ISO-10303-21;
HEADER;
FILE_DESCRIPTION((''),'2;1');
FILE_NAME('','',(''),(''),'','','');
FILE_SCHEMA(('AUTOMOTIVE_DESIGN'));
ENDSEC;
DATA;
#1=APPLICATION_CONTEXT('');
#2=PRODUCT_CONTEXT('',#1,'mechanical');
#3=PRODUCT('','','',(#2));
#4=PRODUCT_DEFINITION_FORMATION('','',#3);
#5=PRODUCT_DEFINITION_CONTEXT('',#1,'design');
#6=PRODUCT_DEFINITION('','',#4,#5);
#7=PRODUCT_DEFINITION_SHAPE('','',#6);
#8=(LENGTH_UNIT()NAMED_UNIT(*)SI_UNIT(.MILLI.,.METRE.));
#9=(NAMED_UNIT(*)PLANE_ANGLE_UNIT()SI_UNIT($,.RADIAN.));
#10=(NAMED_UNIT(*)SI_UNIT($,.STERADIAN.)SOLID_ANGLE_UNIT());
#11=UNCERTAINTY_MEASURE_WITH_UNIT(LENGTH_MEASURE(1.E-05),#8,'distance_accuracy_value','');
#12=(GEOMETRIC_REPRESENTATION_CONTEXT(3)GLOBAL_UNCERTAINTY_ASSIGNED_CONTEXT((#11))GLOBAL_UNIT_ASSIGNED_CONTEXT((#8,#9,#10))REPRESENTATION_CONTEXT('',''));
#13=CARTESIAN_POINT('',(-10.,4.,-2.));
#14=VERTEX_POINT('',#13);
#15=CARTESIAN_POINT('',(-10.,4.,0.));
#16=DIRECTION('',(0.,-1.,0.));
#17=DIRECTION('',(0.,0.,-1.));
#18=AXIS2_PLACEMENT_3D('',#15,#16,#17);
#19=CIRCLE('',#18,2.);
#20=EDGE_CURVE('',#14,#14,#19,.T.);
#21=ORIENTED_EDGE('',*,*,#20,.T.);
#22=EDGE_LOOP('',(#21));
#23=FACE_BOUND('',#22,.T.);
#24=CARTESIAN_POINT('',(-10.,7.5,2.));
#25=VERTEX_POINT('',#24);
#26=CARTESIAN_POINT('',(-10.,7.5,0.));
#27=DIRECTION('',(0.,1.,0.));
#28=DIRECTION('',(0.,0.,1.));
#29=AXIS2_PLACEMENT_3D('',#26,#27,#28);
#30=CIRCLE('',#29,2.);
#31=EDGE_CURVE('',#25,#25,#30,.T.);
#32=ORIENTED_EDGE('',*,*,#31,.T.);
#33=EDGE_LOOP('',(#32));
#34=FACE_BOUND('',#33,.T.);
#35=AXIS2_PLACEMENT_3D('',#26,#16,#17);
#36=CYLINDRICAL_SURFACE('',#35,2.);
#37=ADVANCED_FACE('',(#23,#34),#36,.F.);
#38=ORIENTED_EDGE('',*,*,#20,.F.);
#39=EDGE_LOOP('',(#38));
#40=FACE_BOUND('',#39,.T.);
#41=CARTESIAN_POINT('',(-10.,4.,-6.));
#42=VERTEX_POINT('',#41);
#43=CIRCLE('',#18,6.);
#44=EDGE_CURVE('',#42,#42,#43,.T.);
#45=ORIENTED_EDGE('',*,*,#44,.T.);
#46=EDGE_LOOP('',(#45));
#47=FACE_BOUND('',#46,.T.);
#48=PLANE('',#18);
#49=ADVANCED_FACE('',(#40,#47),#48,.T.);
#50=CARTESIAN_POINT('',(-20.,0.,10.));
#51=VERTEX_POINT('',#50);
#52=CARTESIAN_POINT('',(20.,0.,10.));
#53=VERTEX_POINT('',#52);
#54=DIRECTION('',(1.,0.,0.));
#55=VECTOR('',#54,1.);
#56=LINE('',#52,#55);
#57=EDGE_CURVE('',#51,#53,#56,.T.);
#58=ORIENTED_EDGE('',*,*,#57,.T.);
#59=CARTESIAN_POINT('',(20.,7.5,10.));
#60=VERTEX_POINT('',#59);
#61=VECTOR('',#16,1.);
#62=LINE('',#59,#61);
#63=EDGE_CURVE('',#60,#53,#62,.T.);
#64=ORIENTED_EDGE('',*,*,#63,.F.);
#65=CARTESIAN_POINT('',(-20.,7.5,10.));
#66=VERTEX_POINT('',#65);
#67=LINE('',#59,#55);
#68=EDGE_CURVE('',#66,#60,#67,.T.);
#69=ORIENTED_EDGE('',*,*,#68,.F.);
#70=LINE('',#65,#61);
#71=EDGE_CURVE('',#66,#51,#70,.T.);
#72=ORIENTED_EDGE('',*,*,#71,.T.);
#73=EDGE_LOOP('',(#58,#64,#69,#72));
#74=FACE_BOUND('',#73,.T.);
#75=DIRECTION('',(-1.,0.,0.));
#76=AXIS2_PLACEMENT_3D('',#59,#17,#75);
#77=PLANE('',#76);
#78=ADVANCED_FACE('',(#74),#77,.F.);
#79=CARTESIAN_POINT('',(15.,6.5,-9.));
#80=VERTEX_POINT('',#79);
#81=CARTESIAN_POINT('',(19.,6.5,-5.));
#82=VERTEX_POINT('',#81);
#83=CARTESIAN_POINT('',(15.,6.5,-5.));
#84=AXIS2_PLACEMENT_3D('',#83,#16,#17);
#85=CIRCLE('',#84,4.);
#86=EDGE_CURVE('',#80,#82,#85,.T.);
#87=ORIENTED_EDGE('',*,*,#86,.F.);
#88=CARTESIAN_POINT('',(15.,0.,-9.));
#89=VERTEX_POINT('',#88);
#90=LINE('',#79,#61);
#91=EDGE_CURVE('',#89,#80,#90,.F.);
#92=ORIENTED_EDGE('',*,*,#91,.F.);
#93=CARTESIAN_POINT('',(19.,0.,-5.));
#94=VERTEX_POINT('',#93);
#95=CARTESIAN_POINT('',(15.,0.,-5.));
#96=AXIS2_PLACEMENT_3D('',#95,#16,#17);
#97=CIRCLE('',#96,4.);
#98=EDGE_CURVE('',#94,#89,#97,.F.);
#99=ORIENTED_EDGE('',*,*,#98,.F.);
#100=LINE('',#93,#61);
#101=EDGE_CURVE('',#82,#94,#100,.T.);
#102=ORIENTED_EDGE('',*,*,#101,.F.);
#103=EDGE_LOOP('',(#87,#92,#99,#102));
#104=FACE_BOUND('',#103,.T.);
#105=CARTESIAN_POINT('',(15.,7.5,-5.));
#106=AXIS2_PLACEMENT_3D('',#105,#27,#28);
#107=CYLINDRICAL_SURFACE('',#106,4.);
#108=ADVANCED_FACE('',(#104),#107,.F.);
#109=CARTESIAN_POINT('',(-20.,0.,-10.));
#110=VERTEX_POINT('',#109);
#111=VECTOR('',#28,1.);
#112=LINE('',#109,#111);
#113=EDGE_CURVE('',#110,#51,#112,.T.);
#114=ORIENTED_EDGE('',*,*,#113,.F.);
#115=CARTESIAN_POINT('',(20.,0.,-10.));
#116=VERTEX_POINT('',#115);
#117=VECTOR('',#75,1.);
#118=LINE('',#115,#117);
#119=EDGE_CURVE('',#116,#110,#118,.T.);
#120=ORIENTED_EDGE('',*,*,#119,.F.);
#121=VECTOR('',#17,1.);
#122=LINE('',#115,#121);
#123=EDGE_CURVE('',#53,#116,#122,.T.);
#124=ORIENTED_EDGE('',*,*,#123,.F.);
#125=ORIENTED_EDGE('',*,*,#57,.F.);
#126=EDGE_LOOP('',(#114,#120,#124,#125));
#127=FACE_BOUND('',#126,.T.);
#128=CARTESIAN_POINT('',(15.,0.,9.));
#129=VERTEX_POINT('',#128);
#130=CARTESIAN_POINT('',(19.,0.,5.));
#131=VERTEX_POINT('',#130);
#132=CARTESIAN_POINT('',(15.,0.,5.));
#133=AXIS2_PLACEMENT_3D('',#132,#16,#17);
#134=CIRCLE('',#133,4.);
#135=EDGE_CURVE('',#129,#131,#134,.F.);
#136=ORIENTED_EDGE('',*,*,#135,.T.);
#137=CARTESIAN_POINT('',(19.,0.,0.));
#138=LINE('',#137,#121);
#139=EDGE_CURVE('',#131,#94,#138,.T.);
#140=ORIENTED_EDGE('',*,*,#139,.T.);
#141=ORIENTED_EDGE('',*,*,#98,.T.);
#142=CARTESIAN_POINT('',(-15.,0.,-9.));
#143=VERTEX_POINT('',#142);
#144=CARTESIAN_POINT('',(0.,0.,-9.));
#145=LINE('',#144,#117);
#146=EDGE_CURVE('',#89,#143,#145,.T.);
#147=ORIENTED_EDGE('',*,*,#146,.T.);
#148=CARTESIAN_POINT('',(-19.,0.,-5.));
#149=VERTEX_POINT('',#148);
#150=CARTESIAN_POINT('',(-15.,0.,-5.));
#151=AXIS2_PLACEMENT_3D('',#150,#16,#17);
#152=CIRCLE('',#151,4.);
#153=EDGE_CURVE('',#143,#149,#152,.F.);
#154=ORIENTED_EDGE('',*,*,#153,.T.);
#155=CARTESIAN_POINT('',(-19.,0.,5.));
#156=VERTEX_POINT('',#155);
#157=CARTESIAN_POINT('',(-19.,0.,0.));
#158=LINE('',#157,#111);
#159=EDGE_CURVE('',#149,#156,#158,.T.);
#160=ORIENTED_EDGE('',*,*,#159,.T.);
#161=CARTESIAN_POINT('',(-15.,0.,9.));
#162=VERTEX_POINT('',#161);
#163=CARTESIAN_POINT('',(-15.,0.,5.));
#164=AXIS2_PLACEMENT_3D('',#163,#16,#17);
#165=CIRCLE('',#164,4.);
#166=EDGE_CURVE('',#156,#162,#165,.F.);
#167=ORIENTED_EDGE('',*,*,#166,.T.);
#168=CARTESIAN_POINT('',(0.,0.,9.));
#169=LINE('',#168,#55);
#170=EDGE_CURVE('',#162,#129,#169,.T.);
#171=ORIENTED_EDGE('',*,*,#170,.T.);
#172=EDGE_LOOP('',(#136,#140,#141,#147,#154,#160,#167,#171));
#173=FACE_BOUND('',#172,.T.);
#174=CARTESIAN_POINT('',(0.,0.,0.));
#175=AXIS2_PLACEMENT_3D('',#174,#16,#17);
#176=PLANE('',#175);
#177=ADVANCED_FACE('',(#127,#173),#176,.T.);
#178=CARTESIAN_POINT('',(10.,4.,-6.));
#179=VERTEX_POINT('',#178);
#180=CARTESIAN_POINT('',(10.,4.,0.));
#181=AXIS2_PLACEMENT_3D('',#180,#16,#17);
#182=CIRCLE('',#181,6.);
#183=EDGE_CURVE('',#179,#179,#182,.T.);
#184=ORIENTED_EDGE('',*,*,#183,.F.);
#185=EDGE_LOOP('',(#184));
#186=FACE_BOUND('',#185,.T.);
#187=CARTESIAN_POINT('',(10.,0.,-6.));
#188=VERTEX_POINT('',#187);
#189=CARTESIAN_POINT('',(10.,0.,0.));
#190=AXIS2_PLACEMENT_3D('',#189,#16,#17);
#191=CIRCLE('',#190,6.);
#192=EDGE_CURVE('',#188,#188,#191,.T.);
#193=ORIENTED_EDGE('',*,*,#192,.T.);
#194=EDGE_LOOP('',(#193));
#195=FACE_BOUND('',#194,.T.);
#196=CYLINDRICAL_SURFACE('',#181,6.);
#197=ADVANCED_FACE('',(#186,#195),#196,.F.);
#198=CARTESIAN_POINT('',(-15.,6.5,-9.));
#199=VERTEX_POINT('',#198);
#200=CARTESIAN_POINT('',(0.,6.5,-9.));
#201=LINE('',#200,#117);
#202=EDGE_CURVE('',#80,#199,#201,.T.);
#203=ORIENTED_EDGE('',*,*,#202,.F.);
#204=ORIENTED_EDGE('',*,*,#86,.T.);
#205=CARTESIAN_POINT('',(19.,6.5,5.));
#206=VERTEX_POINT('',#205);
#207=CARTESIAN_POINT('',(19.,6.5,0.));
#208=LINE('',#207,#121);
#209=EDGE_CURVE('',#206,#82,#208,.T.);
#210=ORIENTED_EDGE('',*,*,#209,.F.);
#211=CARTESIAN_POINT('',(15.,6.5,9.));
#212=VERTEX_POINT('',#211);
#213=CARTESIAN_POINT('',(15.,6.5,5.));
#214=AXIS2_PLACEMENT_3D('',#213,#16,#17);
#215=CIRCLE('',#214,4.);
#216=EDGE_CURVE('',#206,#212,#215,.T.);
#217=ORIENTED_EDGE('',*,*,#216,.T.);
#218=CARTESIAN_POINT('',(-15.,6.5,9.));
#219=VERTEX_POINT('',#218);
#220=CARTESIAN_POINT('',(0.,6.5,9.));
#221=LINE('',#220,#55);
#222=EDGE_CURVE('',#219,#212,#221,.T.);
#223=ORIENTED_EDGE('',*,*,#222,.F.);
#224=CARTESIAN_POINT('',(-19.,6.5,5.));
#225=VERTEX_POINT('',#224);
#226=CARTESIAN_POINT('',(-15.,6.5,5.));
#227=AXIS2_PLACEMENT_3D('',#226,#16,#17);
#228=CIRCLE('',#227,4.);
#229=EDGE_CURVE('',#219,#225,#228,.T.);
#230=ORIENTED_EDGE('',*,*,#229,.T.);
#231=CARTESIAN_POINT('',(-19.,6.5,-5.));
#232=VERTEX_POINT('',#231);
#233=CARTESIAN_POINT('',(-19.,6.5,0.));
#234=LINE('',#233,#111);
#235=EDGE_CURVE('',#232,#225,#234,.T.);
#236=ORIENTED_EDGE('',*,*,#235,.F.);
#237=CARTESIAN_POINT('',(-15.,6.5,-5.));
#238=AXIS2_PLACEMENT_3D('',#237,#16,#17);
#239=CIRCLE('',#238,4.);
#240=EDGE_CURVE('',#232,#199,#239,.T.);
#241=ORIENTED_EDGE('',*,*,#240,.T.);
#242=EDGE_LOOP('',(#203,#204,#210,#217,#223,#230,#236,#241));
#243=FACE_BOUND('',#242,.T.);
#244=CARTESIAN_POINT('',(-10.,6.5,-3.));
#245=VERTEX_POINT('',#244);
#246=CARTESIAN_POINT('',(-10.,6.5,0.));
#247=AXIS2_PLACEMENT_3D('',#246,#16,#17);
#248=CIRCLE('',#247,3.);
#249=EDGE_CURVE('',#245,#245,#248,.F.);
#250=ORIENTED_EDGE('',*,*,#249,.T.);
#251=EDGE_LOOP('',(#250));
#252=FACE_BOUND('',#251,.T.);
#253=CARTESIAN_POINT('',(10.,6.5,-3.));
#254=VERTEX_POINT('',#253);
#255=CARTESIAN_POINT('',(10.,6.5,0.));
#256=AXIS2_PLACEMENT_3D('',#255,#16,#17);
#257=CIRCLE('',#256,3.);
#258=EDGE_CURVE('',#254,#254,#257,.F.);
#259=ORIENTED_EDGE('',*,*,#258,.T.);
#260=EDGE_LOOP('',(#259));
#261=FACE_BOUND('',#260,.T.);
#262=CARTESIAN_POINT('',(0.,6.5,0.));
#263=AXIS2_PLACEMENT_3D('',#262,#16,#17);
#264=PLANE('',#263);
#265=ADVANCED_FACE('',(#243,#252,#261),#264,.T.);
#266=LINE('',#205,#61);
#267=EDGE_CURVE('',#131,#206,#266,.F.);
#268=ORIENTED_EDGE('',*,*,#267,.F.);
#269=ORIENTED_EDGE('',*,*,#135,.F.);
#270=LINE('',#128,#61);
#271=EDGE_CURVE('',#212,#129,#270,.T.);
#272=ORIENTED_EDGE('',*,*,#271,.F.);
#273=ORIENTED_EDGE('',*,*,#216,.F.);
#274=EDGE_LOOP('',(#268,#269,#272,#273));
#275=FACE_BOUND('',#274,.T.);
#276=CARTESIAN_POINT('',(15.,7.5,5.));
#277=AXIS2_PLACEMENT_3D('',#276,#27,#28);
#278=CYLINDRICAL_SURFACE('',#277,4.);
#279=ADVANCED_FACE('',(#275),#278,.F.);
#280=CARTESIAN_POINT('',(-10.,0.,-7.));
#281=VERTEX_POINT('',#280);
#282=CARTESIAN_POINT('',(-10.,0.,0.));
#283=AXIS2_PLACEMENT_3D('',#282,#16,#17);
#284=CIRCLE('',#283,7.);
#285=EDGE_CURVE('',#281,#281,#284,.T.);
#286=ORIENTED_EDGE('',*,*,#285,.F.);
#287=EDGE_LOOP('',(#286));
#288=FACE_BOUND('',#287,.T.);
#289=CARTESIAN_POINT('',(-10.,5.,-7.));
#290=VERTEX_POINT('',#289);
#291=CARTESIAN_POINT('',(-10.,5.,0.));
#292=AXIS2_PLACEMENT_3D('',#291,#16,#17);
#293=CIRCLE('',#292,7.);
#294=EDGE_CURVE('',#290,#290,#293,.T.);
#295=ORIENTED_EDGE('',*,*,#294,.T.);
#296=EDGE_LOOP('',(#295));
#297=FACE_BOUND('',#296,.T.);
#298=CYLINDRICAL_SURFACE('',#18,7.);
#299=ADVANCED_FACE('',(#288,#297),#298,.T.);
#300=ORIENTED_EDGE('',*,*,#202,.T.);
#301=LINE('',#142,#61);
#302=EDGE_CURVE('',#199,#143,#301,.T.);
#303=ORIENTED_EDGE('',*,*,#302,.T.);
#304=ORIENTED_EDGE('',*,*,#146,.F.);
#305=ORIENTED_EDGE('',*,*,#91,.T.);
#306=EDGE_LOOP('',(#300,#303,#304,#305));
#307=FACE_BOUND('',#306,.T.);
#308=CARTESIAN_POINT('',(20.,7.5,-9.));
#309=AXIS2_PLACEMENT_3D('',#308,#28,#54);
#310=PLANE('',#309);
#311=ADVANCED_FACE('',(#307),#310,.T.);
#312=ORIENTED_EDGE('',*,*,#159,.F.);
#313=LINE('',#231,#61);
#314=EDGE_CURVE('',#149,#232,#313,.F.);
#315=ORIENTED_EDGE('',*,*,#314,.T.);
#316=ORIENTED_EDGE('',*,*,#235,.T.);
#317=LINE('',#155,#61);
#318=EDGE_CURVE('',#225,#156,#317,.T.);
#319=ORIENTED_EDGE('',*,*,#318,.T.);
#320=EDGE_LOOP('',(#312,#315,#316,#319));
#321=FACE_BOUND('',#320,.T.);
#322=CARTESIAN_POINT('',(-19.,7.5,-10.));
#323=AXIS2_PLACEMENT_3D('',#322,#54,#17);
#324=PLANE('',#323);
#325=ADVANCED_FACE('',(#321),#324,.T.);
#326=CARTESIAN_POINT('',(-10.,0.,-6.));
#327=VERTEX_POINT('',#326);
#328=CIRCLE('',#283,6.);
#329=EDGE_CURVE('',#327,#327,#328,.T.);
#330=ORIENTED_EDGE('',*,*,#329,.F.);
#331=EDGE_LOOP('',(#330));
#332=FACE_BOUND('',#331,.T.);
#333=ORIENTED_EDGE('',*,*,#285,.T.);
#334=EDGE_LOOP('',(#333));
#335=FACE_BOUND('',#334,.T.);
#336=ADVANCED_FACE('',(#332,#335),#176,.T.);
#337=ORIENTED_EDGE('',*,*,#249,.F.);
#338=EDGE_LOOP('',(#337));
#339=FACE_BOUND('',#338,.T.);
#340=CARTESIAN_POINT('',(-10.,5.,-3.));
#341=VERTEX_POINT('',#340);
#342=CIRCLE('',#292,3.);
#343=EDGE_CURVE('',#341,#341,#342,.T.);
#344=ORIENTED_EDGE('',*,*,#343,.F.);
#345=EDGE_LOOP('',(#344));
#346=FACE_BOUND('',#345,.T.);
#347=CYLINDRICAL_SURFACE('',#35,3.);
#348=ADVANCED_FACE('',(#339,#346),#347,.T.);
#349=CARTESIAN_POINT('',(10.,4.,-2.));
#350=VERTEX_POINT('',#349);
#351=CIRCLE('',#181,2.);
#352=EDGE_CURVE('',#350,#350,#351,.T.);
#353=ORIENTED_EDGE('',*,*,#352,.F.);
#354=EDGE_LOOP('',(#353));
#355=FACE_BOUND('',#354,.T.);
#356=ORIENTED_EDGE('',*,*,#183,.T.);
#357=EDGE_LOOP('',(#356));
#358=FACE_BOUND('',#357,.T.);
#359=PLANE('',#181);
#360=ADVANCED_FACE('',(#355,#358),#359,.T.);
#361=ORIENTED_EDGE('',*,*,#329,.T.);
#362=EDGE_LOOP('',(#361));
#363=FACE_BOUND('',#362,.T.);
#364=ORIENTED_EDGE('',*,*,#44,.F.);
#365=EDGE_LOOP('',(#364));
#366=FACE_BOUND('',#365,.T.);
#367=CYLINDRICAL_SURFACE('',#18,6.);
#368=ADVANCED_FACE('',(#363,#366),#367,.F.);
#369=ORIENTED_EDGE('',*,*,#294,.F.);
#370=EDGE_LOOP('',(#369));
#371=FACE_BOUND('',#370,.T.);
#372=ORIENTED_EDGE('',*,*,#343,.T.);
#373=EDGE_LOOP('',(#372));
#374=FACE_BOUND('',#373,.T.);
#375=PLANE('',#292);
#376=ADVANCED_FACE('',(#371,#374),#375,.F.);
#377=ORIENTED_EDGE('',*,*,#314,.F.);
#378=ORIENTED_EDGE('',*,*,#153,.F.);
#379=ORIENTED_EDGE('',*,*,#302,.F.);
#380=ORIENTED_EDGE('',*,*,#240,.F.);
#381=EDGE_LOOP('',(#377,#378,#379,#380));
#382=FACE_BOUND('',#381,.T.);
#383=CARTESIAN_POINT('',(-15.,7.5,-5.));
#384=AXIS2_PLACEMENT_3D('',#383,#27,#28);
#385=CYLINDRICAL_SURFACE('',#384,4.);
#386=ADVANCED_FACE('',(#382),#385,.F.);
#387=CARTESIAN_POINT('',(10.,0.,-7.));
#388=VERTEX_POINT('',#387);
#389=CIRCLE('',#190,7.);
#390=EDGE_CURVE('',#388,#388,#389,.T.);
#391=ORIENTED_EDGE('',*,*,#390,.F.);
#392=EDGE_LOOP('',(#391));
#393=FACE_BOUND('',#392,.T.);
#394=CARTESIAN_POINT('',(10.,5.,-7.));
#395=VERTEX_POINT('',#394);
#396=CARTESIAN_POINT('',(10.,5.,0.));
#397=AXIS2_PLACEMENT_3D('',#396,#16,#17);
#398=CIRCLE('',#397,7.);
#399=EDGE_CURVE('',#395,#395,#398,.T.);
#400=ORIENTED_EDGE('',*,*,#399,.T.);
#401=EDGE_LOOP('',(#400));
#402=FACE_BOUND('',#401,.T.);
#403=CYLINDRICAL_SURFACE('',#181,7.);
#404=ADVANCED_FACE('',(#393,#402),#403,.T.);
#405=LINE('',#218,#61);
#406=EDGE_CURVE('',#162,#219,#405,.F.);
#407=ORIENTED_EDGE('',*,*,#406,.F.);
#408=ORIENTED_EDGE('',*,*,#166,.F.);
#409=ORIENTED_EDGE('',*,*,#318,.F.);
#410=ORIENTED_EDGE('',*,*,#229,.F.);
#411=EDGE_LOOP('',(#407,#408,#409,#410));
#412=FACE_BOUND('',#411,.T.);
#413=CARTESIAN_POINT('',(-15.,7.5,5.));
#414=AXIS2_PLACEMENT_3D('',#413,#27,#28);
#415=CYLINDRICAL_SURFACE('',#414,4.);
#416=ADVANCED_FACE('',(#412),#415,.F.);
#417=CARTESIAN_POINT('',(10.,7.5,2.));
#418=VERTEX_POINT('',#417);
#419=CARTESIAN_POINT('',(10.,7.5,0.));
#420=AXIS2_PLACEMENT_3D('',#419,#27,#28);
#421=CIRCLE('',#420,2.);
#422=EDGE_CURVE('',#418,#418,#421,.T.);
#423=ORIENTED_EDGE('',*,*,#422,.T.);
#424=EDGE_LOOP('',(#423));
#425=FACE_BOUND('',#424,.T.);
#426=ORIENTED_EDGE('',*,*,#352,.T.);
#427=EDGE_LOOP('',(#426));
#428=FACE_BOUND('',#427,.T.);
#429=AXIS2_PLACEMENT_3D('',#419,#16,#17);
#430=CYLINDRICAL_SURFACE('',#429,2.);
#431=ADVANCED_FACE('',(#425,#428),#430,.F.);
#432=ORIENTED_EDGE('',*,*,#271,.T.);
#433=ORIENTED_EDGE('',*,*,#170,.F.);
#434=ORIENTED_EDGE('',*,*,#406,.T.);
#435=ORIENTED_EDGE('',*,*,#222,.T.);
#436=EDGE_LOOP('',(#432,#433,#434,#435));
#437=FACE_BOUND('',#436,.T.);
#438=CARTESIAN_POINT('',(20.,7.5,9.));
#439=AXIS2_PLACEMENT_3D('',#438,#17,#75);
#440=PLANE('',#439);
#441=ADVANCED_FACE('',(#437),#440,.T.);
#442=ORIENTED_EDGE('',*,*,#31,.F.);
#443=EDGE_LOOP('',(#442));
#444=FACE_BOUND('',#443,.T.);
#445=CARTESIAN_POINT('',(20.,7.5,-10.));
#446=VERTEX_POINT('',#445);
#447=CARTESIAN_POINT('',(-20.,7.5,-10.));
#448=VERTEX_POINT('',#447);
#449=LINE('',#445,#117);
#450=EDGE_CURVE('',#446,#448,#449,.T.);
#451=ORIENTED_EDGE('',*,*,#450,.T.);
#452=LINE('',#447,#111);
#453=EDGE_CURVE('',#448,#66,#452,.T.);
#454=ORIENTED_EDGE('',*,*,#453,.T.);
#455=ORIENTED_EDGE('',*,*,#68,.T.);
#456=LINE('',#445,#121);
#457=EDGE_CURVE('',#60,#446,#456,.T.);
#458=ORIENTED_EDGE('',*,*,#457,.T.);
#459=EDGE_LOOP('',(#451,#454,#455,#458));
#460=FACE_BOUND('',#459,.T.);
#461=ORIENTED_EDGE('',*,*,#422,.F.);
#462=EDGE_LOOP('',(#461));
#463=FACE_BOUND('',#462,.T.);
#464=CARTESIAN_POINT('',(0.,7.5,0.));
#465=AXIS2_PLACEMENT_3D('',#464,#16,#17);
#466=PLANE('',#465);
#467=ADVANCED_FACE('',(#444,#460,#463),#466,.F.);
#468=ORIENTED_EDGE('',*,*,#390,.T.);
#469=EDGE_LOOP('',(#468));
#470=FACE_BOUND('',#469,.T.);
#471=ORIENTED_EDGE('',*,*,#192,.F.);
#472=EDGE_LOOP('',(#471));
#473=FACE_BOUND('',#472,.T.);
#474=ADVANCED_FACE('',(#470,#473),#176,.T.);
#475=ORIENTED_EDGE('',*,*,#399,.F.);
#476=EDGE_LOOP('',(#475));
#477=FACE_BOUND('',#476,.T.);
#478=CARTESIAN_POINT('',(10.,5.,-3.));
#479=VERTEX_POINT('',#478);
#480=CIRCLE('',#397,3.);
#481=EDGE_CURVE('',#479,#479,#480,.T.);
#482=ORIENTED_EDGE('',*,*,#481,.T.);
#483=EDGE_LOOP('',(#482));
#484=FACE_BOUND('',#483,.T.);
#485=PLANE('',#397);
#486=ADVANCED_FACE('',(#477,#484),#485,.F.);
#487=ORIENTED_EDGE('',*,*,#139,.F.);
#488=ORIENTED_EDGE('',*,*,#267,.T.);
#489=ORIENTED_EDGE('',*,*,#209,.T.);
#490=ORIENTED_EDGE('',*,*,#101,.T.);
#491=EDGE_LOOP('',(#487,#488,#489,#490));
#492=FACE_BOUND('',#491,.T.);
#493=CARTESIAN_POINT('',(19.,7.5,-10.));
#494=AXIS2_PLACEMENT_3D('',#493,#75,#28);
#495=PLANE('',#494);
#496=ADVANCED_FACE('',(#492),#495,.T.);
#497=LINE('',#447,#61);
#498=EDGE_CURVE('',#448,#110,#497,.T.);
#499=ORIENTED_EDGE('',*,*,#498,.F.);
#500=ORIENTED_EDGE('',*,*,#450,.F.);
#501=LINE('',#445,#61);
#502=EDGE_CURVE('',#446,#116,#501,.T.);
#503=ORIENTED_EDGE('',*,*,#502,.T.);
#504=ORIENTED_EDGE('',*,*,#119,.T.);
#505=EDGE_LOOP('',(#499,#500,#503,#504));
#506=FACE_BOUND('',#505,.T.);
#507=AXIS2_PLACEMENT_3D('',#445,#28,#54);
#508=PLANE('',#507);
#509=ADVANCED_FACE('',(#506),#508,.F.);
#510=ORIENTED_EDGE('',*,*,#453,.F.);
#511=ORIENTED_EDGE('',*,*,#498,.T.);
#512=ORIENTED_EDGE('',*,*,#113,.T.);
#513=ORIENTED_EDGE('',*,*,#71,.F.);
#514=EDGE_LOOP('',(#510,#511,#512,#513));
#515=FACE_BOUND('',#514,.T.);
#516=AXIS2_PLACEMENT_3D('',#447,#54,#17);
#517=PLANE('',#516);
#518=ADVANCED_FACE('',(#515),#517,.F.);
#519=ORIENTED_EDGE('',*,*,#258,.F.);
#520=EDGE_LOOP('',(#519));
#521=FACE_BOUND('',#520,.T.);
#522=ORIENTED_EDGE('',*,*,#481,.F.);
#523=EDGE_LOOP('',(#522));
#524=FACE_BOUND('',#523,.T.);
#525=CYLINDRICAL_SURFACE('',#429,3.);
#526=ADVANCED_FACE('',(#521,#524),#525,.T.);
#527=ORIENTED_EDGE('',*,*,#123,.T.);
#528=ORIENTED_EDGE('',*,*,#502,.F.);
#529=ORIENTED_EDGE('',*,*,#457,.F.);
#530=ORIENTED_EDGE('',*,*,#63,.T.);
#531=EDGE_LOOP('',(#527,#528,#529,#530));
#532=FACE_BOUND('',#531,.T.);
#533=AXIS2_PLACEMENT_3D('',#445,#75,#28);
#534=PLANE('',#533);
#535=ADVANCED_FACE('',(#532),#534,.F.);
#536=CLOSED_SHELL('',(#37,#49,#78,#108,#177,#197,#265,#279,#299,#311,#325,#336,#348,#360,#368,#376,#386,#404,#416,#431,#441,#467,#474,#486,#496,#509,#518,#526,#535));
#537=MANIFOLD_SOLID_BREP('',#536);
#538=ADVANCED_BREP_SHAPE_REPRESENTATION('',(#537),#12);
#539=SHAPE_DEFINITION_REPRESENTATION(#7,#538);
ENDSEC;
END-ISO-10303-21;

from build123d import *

# Parameters (mm, degrees)
CROQUIS1_W              = 40
CROQUIS1_H              = 20
CROQUIS1_R              = 2
SALIENTE_EXTRUIR1_DEPTH = 7.5
CROQUIS2_R              = 6
CORTAR_EXTRUIR1_DEPTH   = 4
VACIADO3_T              = -1
REDONDEO1_R             = 4


with BuildPart() as part:
    # Croquis1 → Saliente-Extruir1 (new body)
    with BuildSketch(Plane(origin=(0, 0, 0), x_dir=(1, 0, 0), z_dir=(0, 1, 0))):
        Rectangle(CROQUIS1_W, CROQUIS1_H)
        with Locations(Location((-10, 0, 0), (0, 0, 270))):
            Circle(CROQUIS1_R, mode=Mode.SUBTRACT)
        with Locations(Location((10, 0, 0), (0, 0, 270))):
            Circle(CROQUIS1_R, mode=Mode.SUBTRACT)
    extrude(amount=SALIENTE_EXTRUIR1_DEPTH)

    # Croquis2 → Cortar-Extruir1 (cut)
    with BuildSketch(Plane.XZ):
        with Locations(Location((-10, 0, 0), (0, 0, 270))):
            Circle(CROQUIS2_R)
        with Locations(Location((10, 0, 0), (0, 0, 270))):
            Circle(CROQUIS2_R)
    extrude(amount=-CORTAR_EXTRUIR1_DEPTH, mode=Mode.SUBTRACT)

    # Vaciado3
    vaciado3_openings = [part.faces().sort_by_distance(p)[0] for p in [
        (0, 0, 0),
    ]]
    offset(amount=VACIADO3_T, openings=vaciado3_openings, kind=Kind.INTERSECTION)

    # Redondeo1
    redondeo1_edges = [part.edges().sort_by_distance(p)[0] for p in [
        (-19, 3.25, -9),
        (-19, 3.25, 9),
        (19, 3.25, 9),
        (19, 3.25, -9),
    ]]
    fillet(redondeo1_edges, radius=REDONDEO1_R)


solid = part.part
